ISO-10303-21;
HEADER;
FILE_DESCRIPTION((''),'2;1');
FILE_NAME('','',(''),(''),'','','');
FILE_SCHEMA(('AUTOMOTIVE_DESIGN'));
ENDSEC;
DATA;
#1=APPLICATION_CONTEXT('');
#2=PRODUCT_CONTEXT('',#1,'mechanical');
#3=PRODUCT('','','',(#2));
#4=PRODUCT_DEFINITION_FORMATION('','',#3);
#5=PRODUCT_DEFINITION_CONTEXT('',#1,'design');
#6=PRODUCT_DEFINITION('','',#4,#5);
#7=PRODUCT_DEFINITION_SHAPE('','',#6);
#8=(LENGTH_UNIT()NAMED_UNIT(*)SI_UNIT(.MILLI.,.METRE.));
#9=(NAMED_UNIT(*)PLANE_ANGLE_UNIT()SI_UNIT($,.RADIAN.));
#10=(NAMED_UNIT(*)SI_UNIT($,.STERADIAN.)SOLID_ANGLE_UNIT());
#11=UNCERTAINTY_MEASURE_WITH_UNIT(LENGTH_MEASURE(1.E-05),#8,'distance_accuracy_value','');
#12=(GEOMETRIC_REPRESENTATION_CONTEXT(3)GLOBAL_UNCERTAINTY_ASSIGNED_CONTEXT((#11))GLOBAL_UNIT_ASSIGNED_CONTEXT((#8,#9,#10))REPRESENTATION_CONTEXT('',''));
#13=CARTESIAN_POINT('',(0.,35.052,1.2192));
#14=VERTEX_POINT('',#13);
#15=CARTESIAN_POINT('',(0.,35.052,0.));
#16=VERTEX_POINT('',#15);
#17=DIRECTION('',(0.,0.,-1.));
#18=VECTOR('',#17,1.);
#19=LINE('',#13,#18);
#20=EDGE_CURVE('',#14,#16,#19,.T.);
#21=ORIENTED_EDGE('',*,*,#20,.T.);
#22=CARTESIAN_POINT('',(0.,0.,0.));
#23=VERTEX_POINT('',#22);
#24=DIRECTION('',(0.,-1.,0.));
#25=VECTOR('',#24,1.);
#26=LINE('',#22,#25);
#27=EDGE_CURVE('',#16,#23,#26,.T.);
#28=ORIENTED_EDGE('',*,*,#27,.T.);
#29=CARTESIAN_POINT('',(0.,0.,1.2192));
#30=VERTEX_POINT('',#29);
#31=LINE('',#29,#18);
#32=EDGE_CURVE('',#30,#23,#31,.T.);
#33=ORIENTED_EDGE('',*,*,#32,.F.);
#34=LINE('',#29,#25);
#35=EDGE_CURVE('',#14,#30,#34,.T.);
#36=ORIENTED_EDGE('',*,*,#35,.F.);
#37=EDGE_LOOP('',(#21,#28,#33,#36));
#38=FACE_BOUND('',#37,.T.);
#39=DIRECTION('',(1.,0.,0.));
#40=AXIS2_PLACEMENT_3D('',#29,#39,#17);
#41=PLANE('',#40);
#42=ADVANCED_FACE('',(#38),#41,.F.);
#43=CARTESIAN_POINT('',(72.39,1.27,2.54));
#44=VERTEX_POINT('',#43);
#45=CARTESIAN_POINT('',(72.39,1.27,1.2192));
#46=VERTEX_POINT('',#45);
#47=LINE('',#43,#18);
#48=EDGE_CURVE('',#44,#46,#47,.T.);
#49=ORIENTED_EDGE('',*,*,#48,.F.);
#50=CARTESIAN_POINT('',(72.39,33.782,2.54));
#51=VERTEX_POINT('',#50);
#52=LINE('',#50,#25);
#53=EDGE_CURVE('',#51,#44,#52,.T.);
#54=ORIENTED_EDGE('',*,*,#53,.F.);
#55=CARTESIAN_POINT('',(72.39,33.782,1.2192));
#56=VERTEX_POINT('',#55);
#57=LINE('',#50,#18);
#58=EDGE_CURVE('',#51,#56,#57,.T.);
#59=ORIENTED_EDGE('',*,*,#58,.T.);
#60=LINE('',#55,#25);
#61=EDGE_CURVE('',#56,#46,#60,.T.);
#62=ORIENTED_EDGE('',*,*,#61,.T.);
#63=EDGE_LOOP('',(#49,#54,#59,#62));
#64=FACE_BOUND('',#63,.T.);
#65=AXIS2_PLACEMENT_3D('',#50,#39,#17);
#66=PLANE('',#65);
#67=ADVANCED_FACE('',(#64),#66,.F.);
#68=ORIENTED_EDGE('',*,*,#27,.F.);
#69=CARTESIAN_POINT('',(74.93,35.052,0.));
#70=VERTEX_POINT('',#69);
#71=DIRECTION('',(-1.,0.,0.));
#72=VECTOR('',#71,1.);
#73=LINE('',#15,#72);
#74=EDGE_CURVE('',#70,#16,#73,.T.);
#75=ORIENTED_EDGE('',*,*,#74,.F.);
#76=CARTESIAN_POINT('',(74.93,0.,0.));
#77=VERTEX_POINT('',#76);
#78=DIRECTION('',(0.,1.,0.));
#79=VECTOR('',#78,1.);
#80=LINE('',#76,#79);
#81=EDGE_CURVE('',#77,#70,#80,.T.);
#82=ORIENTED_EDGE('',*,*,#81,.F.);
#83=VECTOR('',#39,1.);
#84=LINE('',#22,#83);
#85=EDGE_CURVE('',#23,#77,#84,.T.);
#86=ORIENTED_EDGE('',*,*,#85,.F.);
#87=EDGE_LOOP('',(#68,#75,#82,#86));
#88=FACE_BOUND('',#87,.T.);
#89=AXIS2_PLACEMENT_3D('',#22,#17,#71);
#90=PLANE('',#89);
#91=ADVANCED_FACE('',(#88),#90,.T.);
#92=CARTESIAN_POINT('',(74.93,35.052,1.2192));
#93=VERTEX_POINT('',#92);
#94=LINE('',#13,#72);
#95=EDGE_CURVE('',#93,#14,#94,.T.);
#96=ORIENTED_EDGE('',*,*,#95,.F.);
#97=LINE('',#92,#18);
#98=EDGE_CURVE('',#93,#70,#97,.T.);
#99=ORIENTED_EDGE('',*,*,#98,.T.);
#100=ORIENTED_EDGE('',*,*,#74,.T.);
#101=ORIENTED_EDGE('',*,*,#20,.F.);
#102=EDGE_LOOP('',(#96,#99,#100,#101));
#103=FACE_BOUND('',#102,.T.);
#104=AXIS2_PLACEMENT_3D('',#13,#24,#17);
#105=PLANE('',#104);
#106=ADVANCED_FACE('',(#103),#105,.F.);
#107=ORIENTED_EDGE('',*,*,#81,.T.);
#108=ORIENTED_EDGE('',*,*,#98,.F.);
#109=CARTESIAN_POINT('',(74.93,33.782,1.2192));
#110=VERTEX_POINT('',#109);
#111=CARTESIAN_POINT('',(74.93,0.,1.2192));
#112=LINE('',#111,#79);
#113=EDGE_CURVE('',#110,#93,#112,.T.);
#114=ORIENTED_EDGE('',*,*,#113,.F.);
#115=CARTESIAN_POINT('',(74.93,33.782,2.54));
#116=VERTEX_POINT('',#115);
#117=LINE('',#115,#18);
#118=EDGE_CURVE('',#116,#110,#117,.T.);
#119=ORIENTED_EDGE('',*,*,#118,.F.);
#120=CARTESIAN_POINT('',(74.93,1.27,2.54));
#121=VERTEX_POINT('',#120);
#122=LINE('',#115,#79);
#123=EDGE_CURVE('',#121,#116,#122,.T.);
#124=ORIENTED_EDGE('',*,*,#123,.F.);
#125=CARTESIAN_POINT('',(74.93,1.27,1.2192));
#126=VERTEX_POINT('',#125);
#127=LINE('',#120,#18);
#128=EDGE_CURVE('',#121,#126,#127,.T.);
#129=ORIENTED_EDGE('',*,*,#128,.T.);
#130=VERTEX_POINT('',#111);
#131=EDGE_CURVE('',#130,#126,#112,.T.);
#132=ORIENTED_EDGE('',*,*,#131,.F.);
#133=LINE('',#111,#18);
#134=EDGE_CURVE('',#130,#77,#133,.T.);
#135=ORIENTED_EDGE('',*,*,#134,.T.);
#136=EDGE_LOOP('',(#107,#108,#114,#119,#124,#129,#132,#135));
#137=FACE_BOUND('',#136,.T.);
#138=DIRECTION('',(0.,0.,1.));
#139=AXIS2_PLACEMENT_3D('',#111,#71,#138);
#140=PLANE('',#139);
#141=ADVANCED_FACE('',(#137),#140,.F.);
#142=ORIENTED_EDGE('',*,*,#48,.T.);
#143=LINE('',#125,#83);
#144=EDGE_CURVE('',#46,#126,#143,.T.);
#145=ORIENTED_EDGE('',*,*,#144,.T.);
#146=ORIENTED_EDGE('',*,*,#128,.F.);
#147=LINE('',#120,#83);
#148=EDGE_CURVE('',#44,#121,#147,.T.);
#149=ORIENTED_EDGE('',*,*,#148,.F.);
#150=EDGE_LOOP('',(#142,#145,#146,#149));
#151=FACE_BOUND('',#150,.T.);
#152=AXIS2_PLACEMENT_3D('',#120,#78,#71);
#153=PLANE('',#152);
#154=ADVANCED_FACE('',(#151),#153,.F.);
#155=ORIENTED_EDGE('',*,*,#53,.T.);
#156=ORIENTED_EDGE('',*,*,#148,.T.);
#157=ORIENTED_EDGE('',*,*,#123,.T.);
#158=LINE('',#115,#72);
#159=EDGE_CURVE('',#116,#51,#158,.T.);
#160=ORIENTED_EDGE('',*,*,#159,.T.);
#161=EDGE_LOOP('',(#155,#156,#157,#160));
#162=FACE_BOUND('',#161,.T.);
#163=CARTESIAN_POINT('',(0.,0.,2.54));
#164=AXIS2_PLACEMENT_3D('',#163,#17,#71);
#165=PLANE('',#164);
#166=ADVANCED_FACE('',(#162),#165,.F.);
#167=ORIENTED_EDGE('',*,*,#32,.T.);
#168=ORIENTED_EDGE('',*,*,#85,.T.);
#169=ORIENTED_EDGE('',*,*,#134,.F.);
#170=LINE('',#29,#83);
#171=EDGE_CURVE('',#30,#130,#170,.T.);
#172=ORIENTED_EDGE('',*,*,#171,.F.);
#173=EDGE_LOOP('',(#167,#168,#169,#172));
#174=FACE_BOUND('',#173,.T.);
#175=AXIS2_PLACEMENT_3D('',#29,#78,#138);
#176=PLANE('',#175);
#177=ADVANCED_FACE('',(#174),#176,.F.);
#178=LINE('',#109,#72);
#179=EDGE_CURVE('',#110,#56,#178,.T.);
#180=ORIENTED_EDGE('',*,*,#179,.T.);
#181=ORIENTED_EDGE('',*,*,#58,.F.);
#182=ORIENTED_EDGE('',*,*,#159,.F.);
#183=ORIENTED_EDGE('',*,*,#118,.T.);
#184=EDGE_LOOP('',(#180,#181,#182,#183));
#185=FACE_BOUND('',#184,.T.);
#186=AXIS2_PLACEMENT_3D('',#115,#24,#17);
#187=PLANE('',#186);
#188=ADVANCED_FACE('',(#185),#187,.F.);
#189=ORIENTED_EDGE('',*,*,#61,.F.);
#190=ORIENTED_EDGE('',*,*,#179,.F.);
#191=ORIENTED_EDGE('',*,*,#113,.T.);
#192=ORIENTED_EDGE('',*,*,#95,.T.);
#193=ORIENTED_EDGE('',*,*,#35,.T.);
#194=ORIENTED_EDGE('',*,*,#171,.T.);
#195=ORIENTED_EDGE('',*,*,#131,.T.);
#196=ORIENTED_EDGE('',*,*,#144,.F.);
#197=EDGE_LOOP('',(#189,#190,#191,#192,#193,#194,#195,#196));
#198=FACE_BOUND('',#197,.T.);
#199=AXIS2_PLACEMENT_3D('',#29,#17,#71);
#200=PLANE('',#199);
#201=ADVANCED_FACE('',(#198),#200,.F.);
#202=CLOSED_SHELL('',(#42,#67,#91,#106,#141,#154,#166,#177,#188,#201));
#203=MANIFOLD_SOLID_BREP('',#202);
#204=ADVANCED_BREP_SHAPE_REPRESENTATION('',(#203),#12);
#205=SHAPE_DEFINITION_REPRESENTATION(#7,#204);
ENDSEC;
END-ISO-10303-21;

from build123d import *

# Parameters (mm, degrees)
SKETCH1_W           = 74.93
SKETCH1_H           = 35.052
BOSS_EXTRUDE1_DEPTH = 1.2192
SKETCH2_W           = 2.54
SKETCH2_H           = 32.512
BOSS_EXTRUDE2_DEPTH = 1.3208


with BuildPart() as part:
    # Sketch1 → Boss-Extrude1 (new body)
    with BuildSketch(Plane.XY):
        with Locations((37.465, 17.526)):
            Rectangle(SKETCH1_W, SKETCH1_H)
    extrude(amount=BOSS_EXTRUDE1_DEPTH)

    # Sketch2 → Boss-Extrude2 (add)
    with BuildSketch(Plane.XY.offset(1.2192)):
        with Locations((73.66, 17.526)):
            Rectangle(SKETCH2_W, SKETCH2_H)
    extrude(amount=BOSS_EXTRUDE2_DEPTH)


solid = part.part
